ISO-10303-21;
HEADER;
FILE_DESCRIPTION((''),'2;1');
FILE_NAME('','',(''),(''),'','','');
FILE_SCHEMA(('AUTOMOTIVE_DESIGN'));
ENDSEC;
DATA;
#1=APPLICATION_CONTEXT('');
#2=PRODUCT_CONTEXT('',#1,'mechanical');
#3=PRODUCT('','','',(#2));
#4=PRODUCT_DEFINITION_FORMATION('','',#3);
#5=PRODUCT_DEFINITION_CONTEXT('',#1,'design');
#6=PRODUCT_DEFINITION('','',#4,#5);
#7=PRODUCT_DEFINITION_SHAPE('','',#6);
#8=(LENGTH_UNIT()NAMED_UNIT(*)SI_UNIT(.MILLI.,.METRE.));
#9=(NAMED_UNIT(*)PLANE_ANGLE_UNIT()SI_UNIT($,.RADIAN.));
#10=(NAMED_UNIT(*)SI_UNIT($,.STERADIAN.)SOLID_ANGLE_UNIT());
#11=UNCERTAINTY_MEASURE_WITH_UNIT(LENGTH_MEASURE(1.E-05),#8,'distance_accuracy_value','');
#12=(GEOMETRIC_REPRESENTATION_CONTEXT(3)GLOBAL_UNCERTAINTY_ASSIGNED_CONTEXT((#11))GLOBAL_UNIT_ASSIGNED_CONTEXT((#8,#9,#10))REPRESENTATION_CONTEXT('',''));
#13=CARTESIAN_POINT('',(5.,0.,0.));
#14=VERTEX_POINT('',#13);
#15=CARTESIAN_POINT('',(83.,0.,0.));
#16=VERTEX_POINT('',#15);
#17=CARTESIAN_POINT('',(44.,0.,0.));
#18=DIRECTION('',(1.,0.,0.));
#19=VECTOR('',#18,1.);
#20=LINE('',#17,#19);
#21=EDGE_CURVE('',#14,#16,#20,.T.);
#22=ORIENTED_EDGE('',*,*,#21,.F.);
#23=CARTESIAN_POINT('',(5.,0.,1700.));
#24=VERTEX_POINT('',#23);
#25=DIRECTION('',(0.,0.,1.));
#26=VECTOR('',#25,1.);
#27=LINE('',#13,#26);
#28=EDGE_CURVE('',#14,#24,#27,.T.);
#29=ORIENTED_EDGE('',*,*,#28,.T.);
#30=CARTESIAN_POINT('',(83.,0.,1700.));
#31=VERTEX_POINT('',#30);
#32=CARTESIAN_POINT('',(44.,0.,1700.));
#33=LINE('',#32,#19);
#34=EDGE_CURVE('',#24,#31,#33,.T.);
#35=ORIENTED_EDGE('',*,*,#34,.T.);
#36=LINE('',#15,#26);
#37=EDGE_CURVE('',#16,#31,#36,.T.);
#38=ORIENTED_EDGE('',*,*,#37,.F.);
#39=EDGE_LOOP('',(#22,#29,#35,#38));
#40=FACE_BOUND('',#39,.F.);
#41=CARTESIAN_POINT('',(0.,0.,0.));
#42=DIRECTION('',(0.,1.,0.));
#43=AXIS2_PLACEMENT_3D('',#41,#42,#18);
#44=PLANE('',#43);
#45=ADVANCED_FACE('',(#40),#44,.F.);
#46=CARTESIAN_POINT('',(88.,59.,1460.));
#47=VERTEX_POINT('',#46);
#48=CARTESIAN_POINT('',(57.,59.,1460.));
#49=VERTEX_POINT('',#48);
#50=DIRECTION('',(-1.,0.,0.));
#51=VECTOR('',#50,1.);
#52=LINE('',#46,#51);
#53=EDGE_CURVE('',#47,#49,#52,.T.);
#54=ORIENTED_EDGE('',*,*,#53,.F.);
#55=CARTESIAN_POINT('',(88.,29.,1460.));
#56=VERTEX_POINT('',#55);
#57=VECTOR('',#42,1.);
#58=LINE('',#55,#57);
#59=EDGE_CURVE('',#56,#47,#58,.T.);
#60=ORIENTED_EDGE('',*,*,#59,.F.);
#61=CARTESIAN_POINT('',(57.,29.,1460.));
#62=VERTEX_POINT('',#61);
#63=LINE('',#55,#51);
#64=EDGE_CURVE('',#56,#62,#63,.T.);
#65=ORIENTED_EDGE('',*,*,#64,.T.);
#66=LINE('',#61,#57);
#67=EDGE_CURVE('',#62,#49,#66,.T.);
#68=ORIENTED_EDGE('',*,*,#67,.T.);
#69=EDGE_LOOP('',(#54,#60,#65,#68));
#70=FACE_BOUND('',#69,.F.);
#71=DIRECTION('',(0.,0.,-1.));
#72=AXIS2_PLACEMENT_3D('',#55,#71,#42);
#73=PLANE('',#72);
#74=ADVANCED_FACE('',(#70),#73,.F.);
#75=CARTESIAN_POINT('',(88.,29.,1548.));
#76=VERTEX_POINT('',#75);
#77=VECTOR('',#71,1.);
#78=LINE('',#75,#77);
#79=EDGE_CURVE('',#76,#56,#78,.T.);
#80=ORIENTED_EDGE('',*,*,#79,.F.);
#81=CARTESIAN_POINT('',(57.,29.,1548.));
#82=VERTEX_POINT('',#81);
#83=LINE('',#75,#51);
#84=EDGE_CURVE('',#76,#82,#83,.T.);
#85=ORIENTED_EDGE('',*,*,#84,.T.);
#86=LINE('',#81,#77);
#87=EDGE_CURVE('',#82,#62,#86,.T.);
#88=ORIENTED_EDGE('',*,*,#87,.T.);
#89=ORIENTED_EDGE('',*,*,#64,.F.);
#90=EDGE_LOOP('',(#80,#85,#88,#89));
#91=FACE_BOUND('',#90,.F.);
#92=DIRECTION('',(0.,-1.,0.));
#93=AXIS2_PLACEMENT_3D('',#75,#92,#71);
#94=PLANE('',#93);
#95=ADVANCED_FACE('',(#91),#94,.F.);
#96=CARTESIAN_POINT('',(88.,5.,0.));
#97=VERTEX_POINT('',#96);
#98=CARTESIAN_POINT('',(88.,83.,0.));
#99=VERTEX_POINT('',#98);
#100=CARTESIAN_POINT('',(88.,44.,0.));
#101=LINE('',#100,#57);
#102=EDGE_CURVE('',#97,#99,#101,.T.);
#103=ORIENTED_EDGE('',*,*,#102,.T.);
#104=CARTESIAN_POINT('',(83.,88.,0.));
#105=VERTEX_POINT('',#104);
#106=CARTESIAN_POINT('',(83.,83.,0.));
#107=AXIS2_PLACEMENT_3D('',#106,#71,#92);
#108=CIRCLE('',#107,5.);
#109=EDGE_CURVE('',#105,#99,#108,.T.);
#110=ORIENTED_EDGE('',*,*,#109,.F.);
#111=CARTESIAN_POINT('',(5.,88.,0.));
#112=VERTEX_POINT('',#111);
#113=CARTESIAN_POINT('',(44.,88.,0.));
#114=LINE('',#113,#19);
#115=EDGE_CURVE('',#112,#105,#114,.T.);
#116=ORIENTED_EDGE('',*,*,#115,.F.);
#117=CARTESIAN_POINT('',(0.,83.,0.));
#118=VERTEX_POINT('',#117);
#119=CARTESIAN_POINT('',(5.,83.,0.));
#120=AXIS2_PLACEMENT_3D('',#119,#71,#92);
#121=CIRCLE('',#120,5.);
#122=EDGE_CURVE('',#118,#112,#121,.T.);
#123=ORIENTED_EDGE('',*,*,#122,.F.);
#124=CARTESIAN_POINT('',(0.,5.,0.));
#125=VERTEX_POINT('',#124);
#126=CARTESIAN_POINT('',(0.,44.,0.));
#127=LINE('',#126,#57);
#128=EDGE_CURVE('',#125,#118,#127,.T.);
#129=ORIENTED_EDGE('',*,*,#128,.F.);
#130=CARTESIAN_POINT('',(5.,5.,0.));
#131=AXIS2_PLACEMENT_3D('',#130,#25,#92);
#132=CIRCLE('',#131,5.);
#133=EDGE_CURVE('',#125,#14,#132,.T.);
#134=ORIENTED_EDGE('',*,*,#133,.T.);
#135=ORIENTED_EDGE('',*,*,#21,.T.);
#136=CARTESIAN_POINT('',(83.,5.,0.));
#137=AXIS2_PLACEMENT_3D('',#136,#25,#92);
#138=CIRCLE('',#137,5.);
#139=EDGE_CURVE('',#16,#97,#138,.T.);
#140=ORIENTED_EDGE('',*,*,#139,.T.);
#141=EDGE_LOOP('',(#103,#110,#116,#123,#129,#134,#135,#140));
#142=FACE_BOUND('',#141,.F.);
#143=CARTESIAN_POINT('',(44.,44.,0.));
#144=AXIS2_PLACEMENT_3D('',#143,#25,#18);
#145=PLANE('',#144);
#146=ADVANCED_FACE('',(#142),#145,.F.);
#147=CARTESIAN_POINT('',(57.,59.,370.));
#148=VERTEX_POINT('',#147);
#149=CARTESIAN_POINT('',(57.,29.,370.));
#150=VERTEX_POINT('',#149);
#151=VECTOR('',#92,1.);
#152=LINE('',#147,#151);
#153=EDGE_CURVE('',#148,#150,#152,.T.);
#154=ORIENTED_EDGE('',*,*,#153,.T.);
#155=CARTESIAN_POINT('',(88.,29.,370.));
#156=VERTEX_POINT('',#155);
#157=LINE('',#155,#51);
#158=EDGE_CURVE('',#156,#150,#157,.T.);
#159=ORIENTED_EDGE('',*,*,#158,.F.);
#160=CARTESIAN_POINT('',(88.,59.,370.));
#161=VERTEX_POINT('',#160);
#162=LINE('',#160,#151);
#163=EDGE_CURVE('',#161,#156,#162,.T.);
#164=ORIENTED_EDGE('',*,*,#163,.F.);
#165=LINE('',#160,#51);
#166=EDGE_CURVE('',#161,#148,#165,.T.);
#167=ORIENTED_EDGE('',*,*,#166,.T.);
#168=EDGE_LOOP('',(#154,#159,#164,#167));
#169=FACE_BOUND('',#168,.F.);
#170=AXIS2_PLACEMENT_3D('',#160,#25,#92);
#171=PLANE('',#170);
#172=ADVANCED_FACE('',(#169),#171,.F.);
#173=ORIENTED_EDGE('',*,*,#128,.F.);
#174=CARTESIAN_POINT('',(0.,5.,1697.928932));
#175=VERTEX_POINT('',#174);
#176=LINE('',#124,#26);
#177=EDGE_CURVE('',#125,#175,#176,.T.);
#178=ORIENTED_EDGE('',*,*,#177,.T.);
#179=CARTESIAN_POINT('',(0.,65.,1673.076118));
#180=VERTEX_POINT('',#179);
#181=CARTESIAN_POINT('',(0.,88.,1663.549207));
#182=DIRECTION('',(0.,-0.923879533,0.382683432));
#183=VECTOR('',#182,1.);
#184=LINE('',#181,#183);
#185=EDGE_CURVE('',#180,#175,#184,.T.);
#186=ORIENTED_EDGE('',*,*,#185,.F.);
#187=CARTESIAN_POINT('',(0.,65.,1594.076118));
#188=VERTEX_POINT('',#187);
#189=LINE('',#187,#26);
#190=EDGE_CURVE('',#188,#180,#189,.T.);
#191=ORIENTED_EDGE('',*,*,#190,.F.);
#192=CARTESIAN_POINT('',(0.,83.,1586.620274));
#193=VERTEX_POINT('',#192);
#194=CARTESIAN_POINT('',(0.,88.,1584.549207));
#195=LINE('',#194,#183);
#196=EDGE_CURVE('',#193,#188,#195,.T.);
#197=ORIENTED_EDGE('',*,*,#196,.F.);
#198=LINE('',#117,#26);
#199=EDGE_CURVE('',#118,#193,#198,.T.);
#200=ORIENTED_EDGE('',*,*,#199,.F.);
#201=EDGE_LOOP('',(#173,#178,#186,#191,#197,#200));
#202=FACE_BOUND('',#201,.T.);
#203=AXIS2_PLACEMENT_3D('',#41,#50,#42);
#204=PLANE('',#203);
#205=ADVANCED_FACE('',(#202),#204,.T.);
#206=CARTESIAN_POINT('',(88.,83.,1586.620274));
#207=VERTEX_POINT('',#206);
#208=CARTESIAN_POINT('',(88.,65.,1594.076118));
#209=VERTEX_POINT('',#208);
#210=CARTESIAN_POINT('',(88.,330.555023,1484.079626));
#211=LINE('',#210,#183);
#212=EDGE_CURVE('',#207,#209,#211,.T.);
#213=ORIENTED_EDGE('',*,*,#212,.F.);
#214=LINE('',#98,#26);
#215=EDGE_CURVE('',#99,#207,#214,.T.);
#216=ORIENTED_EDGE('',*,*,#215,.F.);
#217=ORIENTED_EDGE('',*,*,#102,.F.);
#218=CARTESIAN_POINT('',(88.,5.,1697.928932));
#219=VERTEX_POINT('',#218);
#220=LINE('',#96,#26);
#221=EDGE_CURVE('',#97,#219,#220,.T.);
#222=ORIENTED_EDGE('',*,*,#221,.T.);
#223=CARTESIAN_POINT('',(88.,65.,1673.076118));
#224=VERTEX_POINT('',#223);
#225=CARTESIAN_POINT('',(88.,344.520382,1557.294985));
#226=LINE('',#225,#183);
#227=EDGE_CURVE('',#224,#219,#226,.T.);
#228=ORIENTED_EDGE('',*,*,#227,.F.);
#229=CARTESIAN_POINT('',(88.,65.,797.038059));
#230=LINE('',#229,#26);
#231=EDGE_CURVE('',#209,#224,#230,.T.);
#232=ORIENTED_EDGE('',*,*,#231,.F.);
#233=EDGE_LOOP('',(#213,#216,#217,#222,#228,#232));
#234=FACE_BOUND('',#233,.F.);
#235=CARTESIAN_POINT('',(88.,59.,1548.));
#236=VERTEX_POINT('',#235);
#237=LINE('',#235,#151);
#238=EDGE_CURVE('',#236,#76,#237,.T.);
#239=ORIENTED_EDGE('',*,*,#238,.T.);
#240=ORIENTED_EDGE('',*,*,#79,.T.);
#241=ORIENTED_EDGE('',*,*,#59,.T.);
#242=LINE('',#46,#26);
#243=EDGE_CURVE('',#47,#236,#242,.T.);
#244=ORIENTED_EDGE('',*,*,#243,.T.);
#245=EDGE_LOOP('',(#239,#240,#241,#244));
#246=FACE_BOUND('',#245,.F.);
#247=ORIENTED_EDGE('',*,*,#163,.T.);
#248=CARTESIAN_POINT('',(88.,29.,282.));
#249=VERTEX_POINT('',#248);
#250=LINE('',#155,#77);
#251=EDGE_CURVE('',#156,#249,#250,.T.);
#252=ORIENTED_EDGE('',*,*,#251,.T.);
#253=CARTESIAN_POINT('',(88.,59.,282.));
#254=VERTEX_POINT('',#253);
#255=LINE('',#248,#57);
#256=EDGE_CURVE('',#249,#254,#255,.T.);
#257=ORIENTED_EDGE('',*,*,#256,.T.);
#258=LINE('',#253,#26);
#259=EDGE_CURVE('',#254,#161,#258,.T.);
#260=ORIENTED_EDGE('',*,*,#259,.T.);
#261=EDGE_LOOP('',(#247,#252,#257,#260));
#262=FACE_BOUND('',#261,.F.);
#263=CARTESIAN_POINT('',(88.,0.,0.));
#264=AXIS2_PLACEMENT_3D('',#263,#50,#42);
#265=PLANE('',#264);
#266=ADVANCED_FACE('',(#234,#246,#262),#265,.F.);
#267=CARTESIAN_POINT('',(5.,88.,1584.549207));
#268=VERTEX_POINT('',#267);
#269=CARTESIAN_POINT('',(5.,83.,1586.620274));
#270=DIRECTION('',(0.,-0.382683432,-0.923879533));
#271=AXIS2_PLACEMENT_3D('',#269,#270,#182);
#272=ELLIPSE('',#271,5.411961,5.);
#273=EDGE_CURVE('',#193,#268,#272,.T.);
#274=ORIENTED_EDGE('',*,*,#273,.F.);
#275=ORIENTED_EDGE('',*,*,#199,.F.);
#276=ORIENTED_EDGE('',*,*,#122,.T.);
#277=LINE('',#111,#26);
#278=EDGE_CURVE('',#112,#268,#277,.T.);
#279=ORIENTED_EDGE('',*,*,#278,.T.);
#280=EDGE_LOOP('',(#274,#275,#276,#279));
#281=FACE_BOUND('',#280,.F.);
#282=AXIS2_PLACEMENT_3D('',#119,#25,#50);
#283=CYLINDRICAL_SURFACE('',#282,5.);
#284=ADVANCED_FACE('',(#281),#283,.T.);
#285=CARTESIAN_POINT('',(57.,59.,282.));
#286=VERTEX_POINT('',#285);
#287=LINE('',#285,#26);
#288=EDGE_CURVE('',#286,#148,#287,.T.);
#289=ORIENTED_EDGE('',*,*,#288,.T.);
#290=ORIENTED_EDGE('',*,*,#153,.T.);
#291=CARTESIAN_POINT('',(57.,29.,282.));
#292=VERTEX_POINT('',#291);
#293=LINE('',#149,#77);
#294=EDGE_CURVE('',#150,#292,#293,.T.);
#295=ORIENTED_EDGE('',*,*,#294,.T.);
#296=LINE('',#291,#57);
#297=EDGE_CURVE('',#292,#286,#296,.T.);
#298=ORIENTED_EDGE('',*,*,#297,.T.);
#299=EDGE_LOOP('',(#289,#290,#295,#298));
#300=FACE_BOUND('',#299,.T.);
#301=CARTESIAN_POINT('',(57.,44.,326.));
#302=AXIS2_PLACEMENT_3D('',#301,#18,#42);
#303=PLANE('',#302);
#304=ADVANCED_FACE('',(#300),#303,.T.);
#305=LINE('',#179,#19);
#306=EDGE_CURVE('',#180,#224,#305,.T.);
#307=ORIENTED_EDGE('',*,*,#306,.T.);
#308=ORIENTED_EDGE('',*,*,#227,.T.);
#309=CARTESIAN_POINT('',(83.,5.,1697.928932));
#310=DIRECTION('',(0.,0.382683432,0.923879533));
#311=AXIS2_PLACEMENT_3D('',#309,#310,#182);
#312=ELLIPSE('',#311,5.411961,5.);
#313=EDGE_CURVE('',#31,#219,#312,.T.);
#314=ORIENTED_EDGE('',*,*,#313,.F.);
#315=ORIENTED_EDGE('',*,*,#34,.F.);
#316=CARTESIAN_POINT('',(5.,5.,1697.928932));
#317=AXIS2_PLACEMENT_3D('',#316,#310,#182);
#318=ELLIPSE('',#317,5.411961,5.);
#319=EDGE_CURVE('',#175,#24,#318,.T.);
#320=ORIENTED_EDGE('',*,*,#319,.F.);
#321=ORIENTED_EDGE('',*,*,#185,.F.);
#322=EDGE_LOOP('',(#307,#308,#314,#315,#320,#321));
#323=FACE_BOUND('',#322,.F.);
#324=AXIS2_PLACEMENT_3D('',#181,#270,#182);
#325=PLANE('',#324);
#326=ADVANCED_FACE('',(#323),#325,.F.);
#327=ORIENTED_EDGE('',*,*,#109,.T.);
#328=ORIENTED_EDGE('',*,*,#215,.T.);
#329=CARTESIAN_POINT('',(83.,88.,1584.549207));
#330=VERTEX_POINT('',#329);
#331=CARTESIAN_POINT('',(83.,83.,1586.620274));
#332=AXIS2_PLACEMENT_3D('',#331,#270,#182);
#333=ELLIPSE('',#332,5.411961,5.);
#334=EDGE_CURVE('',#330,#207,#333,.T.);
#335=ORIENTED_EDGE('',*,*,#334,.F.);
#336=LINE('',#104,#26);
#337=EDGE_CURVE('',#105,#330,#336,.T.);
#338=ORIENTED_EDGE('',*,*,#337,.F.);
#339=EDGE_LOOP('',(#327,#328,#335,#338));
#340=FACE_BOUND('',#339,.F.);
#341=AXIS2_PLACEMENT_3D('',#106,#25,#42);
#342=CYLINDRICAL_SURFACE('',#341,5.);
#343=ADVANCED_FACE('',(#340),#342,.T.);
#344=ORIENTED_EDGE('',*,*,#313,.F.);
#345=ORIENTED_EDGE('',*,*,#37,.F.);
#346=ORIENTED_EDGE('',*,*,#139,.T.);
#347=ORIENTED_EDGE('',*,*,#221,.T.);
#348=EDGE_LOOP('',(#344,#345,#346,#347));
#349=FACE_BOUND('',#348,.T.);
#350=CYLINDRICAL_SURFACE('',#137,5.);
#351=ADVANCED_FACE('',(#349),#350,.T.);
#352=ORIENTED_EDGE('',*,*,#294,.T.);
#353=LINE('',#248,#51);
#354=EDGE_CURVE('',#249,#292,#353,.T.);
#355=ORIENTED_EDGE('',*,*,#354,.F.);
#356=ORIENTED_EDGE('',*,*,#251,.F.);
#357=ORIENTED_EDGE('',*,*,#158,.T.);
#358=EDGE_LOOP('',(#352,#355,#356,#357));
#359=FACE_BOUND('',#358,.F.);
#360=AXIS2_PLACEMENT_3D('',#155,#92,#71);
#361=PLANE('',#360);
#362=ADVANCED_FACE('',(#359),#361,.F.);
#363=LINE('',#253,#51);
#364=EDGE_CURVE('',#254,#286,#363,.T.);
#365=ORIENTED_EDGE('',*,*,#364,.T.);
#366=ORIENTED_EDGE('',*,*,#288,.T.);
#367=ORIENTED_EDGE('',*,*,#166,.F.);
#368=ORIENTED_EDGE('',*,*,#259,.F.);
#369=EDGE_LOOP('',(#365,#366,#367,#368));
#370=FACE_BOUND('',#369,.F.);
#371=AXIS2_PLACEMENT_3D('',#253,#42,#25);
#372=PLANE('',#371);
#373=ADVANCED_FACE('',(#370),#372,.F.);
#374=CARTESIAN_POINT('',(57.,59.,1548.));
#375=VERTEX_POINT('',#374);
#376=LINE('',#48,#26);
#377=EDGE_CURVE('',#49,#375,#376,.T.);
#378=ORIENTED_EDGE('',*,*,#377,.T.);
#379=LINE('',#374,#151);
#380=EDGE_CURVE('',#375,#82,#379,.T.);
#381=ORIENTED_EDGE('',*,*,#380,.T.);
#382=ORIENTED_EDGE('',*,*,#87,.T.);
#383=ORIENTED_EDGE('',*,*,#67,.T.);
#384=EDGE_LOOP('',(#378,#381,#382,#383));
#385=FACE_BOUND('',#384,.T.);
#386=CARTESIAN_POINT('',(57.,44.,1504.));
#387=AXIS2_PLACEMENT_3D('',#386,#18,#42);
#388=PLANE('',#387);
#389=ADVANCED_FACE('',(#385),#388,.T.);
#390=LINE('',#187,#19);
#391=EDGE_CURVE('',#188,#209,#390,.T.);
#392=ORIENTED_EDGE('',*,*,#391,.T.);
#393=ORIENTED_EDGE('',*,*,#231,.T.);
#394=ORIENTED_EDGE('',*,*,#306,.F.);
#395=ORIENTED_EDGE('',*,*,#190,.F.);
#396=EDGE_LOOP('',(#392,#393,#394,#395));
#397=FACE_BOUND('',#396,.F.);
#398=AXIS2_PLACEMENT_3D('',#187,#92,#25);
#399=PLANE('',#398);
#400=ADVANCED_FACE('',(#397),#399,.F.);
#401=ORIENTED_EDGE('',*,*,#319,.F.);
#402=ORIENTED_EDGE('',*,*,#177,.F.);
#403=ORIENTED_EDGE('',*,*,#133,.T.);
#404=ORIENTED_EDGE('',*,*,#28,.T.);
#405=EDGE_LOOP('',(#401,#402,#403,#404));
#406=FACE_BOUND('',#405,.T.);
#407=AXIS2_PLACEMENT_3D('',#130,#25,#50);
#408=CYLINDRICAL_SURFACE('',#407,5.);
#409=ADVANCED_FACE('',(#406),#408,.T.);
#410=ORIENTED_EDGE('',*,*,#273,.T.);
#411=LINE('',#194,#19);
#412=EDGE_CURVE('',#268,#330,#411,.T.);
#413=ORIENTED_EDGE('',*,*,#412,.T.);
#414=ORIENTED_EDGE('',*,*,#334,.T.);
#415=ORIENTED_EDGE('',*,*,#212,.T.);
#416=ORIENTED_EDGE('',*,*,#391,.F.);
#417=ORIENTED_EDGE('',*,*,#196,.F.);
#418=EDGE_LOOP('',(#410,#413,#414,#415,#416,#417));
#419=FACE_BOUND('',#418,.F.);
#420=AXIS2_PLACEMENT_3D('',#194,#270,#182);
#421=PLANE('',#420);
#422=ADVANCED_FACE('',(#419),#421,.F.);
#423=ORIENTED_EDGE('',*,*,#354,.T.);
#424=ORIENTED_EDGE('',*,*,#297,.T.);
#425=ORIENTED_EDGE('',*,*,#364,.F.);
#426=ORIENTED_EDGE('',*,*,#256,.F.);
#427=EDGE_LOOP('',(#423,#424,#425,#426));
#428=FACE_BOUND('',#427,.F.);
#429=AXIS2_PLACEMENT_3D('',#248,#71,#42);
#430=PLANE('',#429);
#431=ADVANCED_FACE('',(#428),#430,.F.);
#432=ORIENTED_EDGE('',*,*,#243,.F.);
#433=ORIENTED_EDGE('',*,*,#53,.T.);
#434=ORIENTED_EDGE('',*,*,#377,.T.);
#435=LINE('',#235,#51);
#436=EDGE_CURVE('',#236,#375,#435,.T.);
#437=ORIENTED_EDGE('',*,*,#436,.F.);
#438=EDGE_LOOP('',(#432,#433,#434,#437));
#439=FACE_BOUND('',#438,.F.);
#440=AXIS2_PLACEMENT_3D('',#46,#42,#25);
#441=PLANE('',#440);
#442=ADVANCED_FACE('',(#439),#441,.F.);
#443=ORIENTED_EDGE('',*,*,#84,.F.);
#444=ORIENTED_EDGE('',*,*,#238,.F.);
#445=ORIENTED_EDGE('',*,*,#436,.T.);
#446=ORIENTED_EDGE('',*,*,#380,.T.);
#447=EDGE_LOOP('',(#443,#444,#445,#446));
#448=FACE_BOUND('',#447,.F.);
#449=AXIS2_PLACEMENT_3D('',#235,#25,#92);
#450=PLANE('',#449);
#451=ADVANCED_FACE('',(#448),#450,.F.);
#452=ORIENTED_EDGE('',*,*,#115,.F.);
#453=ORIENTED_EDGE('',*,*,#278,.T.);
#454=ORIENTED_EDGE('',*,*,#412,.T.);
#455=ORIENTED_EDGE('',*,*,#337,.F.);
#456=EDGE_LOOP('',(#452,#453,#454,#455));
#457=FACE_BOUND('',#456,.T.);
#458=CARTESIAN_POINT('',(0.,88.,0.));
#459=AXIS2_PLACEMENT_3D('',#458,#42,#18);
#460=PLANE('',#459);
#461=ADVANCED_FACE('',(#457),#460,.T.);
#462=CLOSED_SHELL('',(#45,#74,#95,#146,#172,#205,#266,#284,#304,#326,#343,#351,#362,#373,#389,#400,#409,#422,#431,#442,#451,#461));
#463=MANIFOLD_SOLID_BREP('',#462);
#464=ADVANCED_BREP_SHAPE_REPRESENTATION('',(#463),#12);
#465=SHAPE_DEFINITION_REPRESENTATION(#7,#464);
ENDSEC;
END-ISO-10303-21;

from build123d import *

# Parameters (mm, degrees)
F0_W     = 88
F0_H     = 88
F1_DEPTH = 1700
F3_DEPTH = 88.001
F5_DEPTH = 88.001
F7_DEPTH = 31
F9_DEPTH = 31
F10_R    = 5


with BuildPart() as f1:
    # F0 (on Top) → F1 (new body)
    with BuildSketch(Plane.XY):
        with Locations((44, 44)):
            Rectangle(F0_W, F0_H)
    extrude(amount=F1_DEPTH)

    # F2 (on face) → F3 (cut, through all)
    with BuildSketch(Plane(origin=(0, 0, 0), x_dir=(0, -1, 0), z_dir=(-1, 0, 0))):
        Polygon((-88, 1663.5492065112), (0, 1700), (-88, 1700), align=None)
    extrude(amount=-F3_DEPTH, mode=Mode.SUBTRACT)

    # F4 (on face) → F5 (cut, through all)
    with BuildSketch(Plane(origin=(0, 0, 0), x_dir=(0, -1, 0), z_dir=(-1, 0, 0))):
        Polygon((-65, 1594.0761184457), (-65, 1673.0761184457), (-88, 1663.5492065112), (-88, 1584.5492065112), align=None)
    extrude(amount=-F5_DEPTH, mode=Mode.SUBTRACT)

    # F6 (on face) → F7 (cut)
    with BuildSketch(Plane.YZ.offset(88)):
        Polygon((29, 282), (44, 282), (59, 282), (59, 370), (29, 370), align=None)
    extrude(amount=-F7_DEPTH, mode=Mode.SUBTRACT)

    # F8 (on face) → F9 (cut)
    with BuildSketch(Plane.YZ.offset(88)):
        Polygon((29, 1460), (44, 1460), (59, 1460), (59, 1548), (29, 1548), align=None)
    extrude(amount=-F9_DEPTH, mode=Mode.SUBTRACT)

    # F10
    f10_edges = [f1.edges().sort_by_distance(p)[0] for p in [
        (88, 0, 850),
        (0, 0, 850),
        (88, 88, 792.274603),
        (0, 88, 792.274603),
    ]]
    fillet(f10_edges, radius=F10_R)


solid = f1.part
